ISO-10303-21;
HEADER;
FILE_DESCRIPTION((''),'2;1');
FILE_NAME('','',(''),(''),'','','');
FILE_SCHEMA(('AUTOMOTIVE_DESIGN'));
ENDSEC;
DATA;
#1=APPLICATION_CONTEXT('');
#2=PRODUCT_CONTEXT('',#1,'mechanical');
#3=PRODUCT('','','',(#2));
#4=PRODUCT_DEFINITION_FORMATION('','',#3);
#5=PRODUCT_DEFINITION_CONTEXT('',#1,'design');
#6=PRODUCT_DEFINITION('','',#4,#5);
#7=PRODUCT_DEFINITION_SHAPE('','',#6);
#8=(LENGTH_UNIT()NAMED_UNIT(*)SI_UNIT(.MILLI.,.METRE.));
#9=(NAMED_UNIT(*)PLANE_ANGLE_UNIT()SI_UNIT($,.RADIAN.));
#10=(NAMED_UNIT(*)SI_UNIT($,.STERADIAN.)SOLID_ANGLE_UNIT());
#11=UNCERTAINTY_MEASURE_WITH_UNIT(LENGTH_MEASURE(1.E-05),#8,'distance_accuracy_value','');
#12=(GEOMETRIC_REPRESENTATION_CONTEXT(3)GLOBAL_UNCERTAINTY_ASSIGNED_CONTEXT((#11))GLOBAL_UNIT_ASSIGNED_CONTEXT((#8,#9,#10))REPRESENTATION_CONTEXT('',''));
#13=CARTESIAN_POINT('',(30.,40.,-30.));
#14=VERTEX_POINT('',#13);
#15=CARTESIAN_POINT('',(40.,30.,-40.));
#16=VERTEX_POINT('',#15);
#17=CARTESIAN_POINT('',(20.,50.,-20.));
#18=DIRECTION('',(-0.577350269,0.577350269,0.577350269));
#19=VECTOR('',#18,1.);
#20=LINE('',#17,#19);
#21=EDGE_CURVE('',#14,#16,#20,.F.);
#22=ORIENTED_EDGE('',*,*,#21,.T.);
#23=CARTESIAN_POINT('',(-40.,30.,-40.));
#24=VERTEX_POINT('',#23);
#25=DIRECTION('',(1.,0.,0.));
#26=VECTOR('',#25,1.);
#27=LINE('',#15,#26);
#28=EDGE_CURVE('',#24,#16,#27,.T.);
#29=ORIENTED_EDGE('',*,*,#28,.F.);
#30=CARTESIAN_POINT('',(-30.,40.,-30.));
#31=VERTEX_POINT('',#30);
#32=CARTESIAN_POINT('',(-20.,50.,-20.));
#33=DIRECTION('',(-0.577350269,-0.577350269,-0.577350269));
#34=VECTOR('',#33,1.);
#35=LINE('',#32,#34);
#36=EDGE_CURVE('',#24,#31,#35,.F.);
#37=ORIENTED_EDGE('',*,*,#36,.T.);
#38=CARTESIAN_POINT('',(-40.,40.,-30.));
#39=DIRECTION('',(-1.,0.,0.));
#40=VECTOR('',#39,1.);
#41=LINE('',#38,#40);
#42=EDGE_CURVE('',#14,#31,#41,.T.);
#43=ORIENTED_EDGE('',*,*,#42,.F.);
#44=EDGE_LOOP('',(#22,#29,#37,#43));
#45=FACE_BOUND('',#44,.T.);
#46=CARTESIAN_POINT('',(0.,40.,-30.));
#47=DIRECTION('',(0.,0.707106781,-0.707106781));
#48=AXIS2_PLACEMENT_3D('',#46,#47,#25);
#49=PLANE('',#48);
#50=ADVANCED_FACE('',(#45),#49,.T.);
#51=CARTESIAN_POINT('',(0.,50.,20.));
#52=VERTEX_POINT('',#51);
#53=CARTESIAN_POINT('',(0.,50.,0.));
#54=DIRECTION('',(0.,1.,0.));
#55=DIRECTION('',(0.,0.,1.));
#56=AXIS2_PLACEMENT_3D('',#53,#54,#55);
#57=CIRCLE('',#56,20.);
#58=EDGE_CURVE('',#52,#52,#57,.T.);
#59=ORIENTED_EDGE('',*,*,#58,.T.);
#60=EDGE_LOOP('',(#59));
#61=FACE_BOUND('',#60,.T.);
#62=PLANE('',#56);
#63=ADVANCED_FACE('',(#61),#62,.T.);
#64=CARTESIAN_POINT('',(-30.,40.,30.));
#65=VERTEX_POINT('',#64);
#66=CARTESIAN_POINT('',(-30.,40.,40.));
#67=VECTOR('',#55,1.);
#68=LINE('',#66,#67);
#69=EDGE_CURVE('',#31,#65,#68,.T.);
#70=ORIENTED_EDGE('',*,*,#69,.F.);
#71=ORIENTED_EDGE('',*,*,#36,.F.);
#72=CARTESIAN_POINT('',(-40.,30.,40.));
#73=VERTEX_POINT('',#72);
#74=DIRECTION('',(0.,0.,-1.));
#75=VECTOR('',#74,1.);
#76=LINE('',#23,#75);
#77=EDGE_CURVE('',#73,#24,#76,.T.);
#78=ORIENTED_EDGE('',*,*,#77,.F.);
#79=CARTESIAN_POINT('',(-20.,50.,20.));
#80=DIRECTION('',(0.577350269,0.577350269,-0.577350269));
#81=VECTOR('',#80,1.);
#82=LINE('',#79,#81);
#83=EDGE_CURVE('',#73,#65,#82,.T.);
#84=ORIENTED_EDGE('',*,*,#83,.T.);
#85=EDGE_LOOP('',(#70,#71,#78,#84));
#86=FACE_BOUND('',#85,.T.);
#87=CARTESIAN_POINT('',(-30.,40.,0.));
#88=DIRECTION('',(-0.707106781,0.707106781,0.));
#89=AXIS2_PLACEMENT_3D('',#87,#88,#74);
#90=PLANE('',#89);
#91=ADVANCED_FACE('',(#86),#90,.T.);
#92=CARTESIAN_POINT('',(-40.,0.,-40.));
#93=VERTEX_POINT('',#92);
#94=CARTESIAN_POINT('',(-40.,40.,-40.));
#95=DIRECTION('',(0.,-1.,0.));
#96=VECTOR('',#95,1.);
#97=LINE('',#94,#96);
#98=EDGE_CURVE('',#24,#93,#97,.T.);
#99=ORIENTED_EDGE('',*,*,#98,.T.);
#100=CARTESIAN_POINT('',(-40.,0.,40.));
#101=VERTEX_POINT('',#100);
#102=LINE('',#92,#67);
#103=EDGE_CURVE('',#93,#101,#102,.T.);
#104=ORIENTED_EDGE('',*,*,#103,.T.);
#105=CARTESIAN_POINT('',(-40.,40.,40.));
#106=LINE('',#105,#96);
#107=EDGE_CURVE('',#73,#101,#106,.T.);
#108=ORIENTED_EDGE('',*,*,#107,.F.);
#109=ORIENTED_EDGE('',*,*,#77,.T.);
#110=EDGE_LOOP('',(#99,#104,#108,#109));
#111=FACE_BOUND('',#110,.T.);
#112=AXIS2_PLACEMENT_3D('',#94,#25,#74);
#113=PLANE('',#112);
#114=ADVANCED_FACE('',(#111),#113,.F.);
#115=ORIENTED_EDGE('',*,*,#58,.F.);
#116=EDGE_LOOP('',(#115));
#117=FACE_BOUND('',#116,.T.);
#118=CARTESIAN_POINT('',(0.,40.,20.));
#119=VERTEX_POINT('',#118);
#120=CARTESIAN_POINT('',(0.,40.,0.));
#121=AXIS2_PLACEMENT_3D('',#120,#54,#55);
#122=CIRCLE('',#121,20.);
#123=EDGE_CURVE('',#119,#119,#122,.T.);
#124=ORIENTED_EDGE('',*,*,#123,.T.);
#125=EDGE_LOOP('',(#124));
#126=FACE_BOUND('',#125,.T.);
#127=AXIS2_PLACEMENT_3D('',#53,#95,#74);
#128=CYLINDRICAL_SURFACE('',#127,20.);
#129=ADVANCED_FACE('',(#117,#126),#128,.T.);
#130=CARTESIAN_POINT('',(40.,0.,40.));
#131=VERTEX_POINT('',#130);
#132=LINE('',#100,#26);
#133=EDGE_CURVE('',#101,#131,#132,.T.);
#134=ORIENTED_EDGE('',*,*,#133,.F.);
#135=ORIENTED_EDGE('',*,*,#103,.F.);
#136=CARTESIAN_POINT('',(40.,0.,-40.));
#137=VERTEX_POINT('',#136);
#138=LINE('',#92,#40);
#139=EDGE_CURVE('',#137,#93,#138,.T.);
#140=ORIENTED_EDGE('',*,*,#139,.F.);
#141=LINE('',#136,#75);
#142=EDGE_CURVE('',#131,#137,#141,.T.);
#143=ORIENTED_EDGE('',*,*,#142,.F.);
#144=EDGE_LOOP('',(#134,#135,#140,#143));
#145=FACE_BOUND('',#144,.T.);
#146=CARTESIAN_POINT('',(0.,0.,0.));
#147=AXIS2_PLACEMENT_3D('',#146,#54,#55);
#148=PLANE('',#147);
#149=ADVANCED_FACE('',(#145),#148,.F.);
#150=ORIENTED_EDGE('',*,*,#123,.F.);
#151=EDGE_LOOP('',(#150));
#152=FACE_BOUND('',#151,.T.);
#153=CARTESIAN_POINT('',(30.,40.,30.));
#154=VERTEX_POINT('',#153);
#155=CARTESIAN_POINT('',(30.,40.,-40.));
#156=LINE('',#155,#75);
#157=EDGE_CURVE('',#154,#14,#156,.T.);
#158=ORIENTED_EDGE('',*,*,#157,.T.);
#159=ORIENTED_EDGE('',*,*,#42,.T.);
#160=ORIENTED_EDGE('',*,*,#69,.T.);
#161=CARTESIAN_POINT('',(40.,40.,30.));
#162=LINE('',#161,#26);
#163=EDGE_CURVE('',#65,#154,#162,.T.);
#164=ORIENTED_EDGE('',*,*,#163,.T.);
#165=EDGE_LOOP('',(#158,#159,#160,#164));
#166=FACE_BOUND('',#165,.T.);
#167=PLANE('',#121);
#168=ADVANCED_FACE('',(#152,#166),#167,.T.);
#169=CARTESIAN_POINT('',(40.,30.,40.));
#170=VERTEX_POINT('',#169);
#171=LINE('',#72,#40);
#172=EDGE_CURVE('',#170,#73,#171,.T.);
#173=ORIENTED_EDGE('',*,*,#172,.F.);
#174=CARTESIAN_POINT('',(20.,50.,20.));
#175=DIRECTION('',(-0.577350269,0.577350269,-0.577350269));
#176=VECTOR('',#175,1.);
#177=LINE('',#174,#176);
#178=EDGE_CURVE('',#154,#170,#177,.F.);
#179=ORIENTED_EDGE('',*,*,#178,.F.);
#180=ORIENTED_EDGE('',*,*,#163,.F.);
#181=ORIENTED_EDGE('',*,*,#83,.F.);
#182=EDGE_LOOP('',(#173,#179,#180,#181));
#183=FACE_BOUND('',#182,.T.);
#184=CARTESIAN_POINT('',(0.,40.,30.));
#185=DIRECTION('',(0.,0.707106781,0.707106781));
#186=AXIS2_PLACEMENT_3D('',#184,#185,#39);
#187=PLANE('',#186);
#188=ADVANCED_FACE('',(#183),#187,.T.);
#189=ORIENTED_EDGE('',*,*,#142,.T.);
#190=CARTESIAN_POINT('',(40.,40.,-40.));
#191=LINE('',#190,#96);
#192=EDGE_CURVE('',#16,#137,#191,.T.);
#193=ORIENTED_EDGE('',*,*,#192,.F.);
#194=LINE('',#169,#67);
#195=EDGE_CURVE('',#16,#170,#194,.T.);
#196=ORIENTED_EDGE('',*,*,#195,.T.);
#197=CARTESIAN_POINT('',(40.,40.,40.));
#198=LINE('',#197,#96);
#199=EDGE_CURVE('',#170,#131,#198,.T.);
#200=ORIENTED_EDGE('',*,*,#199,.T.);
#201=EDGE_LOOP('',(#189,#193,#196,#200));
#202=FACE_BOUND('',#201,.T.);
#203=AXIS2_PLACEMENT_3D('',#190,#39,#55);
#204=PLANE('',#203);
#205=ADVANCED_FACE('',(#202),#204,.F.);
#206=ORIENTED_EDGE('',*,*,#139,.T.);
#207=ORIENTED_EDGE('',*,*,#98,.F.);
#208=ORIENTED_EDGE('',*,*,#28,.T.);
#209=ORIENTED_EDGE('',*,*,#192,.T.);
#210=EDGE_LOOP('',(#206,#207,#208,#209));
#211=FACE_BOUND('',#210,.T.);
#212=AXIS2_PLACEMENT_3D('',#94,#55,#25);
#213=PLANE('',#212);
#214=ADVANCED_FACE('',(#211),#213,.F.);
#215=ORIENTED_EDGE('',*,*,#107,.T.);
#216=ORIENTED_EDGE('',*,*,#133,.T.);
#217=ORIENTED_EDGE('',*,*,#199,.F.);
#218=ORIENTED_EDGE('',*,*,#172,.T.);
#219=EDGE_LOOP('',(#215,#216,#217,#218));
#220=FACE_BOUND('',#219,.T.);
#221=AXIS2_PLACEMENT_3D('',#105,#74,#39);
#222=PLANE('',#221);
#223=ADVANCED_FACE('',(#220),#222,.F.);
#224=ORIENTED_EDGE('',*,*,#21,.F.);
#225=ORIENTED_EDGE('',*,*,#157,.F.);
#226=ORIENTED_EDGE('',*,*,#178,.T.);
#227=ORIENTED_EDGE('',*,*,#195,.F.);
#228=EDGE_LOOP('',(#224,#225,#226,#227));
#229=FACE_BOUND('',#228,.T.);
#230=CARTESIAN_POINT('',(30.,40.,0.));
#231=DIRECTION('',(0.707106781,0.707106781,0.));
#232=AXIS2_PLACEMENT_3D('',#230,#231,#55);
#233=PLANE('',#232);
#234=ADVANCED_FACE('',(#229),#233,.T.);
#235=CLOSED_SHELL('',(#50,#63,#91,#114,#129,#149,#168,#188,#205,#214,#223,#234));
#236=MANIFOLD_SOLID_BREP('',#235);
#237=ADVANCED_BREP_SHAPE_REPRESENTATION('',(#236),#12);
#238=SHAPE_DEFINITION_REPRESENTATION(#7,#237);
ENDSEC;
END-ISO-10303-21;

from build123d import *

# Parameters (mm, degrees)
SKETCH4_W           = 80
SKETCH4_H           = 80
BOSS_EXTRUDE1_DEPTH = 40
SKETCH5_R           = 20
BOSS_EXTRUDE2_DEPTH = 10
CHAMFER1_SIZE       = 10


with BuildPart() as part:
    # Sketch4 → Boss-Extrude1 (new body)
    with BuildSketch(Plane(origin=(0, 0, 0), x_dir=(1, 0, 0), z_dir=(0, 1, 0))):
        Rectangle(SKETCH4_W, SKETCH4_H)
    extrude(amount=BOSS_EXTRUDE1_DEPTH)

    # Sketch5 → Boss-Extrude2 (add)
    with BuildSketch(Plane(origin=(0, 40, 0), x_dir=(1, 0, 0), z_dir=(0, 1, 0))):
        with Locations(Location((0, 0, 0), (0, 0, 270))):
            Circle(SKETCH5_R)
    extrude(amount=BOSS_EXTRUDE2_DEPTH)

    # Chamfer1
    chamfer1_edges = [part.edges().sort_by_distance(p)[0] for p in [
        (40, 40, 0),
        (0, 40, -40),
        (-40, 40, 0),
        (0, 40, 40),
    ]]
    chamfer(chamfer1_edges, length=CHAMFER1_SIZE)


solid = part.part
